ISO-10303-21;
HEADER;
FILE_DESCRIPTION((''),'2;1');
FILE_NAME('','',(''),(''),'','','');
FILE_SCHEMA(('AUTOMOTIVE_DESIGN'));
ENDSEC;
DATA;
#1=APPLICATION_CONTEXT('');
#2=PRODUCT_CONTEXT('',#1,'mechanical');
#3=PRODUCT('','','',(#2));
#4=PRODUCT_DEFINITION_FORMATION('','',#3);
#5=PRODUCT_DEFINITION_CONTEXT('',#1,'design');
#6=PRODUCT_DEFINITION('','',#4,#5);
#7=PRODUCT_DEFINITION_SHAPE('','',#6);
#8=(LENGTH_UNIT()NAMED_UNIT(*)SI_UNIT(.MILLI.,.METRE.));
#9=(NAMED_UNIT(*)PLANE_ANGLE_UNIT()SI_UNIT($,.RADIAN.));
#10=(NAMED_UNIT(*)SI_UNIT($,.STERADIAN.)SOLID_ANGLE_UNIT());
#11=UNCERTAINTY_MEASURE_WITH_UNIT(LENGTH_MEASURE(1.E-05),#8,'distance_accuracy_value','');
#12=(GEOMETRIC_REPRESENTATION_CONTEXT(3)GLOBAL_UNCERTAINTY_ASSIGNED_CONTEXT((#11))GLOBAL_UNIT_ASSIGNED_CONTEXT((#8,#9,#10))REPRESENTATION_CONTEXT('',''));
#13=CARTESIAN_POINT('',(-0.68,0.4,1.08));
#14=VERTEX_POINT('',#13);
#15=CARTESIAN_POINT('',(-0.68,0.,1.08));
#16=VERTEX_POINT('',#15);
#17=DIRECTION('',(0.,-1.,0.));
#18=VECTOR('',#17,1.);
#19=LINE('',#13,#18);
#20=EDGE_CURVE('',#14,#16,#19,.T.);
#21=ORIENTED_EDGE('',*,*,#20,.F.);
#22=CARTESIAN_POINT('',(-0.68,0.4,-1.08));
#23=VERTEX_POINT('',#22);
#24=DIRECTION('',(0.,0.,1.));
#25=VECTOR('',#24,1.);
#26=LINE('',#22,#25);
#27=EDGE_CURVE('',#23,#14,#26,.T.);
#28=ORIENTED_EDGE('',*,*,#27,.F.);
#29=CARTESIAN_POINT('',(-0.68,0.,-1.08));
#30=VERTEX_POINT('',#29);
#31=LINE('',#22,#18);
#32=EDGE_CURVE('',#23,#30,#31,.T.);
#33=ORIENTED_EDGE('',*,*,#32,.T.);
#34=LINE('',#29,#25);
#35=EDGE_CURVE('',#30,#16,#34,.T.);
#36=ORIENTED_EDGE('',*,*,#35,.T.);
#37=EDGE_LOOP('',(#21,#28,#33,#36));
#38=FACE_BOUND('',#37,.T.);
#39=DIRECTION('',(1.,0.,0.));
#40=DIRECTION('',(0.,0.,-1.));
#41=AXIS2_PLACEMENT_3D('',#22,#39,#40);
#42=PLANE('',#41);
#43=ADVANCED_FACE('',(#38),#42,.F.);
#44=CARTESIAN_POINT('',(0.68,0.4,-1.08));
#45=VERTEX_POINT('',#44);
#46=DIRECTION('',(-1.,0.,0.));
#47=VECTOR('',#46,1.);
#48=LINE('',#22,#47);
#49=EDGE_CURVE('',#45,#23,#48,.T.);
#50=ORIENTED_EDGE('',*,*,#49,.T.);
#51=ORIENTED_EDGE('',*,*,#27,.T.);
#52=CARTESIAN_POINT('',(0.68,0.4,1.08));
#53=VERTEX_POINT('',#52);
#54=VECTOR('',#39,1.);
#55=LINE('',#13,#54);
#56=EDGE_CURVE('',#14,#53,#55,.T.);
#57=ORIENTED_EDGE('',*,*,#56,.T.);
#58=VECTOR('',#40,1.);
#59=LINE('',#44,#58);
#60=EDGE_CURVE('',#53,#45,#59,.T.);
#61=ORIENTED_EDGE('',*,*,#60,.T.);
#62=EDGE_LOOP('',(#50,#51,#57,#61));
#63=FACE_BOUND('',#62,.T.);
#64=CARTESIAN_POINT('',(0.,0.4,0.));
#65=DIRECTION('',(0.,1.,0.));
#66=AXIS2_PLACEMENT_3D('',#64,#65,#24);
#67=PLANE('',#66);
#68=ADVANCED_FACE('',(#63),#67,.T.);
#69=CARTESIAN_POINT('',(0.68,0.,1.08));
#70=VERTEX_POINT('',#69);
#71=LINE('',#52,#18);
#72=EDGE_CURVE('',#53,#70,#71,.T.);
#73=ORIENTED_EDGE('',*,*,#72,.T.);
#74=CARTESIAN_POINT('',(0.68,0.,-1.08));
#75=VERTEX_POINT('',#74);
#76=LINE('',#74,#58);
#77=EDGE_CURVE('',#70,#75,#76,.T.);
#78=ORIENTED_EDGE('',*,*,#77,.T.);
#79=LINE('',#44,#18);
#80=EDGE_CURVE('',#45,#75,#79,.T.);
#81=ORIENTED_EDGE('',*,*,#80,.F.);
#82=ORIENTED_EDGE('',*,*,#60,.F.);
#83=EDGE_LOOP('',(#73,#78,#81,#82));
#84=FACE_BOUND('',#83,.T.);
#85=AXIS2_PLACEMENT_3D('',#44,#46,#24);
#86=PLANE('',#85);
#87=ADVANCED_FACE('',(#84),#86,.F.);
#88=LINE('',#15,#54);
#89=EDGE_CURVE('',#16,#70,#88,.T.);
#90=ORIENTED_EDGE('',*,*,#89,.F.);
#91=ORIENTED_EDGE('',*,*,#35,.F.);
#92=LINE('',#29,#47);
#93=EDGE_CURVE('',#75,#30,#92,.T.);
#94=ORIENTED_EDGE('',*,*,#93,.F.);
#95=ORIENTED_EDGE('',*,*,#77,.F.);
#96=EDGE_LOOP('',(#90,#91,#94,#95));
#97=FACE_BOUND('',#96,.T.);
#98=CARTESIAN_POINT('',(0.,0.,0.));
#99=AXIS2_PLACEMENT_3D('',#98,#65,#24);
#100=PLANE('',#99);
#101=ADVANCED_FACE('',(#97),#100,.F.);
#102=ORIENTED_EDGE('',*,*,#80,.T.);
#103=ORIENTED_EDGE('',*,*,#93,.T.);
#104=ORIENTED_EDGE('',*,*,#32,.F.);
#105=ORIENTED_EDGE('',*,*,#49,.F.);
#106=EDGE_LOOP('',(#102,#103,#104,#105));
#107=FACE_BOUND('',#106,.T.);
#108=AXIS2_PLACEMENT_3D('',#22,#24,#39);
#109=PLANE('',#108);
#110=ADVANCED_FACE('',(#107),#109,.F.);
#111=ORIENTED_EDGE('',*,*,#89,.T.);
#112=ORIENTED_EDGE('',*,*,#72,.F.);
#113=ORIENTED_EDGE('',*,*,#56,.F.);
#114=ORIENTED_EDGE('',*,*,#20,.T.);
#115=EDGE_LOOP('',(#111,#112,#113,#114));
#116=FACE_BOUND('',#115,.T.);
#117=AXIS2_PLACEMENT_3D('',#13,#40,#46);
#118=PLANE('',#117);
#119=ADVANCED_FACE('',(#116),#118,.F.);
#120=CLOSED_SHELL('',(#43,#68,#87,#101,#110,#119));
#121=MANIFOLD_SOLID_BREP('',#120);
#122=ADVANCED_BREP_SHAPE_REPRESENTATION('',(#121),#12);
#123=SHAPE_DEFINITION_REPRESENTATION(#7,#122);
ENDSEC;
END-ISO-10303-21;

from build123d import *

# Parameters (mm, degrees)
BASES_W    = 1.36
BASES_H    = 2.16
BASE_DEPTH = 0.4


with BuildPart() as part:
    # BaseS → Base (new body)
    with BuildSketch(Plane(origin=(0, 0, 0), x_dir=(1, 0, 0), z_dir=(0, 1, 0))):
        Rectangle(BASES_W, BASES_H)
    extrude(amount=BASE_DEPTH)


solid = part.part
